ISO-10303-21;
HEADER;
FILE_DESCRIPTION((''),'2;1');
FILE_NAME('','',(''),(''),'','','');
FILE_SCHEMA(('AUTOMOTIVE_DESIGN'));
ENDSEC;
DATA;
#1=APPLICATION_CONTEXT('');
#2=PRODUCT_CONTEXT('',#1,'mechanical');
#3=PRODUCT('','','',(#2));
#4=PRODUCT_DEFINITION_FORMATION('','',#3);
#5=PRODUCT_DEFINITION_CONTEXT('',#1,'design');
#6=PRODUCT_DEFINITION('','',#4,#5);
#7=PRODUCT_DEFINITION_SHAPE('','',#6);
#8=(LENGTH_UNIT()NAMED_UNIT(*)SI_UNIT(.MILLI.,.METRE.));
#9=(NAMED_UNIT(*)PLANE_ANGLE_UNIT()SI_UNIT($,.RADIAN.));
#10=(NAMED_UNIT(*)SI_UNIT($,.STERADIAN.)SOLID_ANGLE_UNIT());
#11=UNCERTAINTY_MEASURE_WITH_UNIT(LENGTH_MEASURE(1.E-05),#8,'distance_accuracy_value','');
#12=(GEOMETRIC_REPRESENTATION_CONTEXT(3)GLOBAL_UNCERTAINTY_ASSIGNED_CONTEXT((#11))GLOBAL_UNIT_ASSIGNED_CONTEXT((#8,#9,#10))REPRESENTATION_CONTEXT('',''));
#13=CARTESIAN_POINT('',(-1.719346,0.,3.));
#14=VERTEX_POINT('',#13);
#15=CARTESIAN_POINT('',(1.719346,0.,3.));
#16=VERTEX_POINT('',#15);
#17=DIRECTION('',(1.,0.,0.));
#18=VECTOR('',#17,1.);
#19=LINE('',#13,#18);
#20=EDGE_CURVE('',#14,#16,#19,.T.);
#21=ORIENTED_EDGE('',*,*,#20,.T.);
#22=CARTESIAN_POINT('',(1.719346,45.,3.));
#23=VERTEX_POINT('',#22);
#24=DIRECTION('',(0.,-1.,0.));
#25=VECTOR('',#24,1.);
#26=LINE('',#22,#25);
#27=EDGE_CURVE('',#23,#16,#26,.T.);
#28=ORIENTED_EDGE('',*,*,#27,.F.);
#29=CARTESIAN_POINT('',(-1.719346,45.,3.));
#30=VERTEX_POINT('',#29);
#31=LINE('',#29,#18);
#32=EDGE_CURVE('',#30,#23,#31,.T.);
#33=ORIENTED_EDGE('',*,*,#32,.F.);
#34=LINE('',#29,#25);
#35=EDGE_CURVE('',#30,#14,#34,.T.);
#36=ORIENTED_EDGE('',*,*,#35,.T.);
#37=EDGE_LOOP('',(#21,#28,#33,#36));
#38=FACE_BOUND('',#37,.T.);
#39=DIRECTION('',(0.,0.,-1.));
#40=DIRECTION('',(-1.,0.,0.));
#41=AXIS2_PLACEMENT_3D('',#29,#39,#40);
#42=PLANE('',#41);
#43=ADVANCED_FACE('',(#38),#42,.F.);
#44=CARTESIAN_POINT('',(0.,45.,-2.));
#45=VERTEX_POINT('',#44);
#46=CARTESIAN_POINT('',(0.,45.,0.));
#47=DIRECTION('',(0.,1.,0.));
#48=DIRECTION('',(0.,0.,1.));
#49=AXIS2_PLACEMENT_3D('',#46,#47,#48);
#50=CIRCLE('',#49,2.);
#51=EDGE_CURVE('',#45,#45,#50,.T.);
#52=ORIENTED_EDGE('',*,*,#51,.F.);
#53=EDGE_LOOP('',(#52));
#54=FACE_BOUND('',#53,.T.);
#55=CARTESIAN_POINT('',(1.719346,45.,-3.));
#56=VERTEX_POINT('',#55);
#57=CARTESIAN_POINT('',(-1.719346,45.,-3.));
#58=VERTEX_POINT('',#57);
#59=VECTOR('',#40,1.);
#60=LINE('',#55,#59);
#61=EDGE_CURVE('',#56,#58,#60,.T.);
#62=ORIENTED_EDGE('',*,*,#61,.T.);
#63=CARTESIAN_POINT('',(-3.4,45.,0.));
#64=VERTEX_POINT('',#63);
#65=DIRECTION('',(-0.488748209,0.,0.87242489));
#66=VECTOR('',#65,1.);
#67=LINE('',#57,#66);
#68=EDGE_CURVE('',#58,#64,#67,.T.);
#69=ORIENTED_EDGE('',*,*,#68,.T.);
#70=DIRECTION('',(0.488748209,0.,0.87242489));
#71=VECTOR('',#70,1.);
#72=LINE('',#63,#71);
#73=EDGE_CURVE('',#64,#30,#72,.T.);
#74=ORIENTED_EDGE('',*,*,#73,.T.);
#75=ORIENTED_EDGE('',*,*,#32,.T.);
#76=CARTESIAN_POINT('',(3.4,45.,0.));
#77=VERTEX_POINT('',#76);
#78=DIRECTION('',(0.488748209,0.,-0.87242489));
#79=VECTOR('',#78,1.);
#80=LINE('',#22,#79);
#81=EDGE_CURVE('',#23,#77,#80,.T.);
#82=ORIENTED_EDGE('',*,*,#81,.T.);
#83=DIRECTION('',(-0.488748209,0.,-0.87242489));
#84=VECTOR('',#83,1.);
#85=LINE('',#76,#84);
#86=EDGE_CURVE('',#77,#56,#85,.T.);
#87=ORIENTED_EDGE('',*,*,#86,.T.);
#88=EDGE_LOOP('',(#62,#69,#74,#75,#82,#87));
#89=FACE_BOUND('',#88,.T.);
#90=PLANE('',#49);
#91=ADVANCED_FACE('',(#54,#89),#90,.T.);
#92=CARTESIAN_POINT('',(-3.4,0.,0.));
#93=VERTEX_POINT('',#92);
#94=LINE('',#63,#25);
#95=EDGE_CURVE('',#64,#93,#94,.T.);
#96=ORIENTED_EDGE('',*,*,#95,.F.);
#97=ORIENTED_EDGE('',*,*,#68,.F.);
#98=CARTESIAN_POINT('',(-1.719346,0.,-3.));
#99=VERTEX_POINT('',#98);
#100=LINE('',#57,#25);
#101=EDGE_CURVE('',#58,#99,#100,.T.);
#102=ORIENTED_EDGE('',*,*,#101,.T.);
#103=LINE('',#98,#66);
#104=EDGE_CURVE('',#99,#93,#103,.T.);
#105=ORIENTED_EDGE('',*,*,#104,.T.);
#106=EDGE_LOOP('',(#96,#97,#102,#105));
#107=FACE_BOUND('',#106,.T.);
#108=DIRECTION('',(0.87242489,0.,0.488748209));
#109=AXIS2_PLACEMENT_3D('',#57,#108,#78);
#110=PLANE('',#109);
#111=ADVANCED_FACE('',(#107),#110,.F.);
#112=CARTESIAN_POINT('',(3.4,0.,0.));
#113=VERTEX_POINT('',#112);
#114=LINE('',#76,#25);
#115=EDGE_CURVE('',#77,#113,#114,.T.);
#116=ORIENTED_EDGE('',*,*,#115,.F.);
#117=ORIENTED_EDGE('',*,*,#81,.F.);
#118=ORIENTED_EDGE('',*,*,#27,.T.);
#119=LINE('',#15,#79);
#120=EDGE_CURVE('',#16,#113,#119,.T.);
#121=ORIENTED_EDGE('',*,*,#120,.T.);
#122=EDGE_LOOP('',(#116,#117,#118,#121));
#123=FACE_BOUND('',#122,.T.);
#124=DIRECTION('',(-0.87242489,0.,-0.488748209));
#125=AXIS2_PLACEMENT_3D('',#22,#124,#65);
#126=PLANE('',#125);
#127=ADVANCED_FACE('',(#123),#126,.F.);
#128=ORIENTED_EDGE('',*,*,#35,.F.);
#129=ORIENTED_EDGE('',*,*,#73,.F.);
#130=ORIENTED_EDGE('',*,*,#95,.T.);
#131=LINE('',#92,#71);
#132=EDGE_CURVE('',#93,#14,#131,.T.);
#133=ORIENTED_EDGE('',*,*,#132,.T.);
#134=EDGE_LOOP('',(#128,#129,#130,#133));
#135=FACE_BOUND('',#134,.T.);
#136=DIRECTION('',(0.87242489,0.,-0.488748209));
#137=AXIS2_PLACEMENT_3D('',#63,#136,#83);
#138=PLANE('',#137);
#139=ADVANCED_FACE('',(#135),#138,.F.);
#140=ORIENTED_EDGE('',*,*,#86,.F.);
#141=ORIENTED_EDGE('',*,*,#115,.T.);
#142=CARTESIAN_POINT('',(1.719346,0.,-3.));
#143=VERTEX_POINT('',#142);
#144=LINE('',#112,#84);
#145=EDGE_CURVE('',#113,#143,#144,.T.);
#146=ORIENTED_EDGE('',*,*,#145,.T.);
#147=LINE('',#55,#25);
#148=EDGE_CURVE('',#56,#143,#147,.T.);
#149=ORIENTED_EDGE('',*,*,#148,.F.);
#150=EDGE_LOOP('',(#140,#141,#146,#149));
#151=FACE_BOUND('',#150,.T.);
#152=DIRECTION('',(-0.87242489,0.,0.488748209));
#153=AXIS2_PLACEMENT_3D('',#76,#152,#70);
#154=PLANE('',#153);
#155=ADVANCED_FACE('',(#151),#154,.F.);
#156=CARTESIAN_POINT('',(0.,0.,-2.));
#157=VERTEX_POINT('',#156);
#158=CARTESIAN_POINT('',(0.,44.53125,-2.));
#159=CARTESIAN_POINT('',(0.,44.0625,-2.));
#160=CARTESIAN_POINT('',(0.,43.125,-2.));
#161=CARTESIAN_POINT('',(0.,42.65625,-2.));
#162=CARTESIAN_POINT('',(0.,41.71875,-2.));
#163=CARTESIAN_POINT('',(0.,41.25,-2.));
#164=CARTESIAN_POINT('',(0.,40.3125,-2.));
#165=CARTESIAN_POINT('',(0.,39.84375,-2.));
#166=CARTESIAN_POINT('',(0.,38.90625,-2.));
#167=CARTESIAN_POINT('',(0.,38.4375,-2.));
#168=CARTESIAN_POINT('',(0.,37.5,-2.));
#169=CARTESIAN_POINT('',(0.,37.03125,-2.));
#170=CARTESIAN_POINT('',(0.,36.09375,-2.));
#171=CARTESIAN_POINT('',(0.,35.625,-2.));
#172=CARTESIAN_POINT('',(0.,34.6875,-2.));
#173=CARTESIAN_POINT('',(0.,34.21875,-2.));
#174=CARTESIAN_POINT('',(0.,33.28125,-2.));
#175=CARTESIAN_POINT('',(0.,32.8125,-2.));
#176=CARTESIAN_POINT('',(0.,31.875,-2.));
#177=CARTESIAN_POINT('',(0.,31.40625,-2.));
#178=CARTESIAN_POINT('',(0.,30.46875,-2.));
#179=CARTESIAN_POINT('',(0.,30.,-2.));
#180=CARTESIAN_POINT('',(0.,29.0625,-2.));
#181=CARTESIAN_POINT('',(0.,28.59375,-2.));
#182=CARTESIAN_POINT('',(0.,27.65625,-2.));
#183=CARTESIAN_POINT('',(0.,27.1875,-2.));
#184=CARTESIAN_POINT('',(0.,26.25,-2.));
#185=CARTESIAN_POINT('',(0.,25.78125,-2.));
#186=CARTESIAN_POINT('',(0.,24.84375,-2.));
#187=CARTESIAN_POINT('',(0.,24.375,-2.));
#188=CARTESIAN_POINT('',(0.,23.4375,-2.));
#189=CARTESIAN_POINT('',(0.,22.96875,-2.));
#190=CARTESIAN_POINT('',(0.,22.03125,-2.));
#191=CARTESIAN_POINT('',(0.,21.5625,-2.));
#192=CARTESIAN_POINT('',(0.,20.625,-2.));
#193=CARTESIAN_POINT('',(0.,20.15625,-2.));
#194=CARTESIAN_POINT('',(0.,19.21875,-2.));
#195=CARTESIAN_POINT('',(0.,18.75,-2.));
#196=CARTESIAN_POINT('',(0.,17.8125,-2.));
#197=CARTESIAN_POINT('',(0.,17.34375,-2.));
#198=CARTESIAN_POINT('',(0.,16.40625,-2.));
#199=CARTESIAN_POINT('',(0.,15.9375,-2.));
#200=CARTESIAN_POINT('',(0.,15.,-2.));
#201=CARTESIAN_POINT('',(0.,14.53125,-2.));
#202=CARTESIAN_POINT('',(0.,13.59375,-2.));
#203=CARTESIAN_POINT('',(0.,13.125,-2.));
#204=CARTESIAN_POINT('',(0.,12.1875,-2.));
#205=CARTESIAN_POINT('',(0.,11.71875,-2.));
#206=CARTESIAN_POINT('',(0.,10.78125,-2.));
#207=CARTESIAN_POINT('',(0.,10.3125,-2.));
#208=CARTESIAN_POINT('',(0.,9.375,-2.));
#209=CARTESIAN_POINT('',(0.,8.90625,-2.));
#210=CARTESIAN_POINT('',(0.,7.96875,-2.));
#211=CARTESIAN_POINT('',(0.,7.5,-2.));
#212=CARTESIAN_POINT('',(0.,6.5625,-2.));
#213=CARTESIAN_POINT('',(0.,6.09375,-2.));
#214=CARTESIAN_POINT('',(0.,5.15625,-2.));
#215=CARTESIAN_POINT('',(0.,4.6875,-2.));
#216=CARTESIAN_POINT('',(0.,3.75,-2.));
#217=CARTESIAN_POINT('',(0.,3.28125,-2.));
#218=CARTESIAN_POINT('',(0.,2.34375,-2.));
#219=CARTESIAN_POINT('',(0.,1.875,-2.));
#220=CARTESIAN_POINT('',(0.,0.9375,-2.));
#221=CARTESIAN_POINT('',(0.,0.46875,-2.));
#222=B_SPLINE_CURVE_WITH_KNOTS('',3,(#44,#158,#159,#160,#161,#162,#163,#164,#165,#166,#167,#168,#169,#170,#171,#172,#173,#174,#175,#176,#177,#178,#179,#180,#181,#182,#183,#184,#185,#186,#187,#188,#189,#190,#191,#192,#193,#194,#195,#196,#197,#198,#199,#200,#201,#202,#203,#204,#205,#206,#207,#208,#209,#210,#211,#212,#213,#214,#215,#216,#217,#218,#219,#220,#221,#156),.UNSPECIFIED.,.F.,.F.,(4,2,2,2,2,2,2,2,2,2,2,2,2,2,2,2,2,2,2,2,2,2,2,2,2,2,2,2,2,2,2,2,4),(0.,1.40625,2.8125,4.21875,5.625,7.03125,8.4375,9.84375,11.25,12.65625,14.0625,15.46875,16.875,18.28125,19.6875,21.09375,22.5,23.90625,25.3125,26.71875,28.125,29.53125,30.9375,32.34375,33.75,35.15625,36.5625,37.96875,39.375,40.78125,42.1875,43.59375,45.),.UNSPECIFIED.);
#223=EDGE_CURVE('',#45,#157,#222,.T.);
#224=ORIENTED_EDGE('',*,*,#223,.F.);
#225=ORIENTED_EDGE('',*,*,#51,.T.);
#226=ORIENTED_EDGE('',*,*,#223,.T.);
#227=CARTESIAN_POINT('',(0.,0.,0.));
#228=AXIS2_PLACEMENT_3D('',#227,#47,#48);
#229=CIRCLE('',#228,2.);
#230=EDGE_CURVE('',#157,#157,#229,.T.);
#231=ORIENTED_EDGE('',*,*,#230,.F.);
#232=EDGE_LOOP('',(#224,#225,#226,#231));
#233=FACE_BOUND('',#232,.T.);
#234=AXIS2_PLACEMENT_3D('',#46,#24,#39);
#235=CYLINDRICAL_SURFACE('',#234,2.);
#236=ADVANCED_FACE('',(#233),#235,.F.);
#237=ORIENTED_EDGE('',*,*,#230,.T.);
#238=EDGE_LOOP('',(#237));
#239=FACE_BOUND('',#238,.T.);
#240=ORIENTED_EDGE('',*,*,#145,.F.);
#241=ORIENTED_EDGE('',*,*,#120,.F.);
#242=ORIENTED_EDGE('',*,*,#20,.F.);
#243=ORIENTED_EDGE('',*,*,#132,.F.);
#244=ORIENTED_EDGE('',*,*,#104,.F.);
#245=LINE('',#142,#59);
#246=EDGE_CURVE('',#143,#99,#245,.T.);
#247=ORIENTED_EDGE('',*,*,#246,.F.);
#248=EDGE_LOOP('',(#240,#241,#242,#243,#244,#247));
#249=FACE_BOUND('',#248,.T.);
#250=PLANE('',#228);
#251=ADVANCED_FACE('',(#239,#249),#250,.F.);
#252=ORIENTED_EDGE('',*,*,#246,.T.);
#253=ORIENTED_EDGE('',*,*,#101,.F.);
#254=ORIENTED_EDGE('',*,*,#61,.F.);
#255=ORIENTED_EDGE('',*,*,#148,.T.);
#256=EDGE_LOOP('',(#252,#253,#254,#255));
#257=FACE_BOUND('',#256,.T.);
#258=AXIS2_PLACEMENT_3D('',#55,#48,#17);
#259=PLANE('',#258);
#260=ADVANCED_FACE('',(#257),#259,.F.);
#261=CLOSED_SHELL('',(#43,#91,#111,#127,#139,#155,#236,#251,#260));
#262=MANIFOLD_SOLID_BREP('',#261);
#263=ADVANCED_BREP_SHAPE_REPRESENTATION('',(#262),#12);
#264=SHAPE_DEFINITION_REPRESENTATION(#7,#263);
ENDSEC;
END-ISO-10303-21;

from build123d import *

# Parameters (mm, degrees)
SKETCH_1_R      = 2
EXTRUDE_1_DEPTH = 45


with BuildPart() as part:
    # 草图1 → 凸台-拉伸1 (new body)
    with BuildSketch(Plane(origin=(0, 0, 0), x_dir=(1, 0, 0), z_dir=(0, 1, 0))):
        Polygon((1.719345719, -3), (3.4, 0), (1.719345719, 3), (-1.719345719, 3), (-3.4, 0), (-1.719345719, -3), align=None)
        with Locations(Location((0, 0, 0), (0, 0, 90))):
            Circle(SKETCH_1_R, mode=Mode.SUBTRACT)
    extrude(amount=EXTRUDE_1_DEPTH)


solid = part.part
